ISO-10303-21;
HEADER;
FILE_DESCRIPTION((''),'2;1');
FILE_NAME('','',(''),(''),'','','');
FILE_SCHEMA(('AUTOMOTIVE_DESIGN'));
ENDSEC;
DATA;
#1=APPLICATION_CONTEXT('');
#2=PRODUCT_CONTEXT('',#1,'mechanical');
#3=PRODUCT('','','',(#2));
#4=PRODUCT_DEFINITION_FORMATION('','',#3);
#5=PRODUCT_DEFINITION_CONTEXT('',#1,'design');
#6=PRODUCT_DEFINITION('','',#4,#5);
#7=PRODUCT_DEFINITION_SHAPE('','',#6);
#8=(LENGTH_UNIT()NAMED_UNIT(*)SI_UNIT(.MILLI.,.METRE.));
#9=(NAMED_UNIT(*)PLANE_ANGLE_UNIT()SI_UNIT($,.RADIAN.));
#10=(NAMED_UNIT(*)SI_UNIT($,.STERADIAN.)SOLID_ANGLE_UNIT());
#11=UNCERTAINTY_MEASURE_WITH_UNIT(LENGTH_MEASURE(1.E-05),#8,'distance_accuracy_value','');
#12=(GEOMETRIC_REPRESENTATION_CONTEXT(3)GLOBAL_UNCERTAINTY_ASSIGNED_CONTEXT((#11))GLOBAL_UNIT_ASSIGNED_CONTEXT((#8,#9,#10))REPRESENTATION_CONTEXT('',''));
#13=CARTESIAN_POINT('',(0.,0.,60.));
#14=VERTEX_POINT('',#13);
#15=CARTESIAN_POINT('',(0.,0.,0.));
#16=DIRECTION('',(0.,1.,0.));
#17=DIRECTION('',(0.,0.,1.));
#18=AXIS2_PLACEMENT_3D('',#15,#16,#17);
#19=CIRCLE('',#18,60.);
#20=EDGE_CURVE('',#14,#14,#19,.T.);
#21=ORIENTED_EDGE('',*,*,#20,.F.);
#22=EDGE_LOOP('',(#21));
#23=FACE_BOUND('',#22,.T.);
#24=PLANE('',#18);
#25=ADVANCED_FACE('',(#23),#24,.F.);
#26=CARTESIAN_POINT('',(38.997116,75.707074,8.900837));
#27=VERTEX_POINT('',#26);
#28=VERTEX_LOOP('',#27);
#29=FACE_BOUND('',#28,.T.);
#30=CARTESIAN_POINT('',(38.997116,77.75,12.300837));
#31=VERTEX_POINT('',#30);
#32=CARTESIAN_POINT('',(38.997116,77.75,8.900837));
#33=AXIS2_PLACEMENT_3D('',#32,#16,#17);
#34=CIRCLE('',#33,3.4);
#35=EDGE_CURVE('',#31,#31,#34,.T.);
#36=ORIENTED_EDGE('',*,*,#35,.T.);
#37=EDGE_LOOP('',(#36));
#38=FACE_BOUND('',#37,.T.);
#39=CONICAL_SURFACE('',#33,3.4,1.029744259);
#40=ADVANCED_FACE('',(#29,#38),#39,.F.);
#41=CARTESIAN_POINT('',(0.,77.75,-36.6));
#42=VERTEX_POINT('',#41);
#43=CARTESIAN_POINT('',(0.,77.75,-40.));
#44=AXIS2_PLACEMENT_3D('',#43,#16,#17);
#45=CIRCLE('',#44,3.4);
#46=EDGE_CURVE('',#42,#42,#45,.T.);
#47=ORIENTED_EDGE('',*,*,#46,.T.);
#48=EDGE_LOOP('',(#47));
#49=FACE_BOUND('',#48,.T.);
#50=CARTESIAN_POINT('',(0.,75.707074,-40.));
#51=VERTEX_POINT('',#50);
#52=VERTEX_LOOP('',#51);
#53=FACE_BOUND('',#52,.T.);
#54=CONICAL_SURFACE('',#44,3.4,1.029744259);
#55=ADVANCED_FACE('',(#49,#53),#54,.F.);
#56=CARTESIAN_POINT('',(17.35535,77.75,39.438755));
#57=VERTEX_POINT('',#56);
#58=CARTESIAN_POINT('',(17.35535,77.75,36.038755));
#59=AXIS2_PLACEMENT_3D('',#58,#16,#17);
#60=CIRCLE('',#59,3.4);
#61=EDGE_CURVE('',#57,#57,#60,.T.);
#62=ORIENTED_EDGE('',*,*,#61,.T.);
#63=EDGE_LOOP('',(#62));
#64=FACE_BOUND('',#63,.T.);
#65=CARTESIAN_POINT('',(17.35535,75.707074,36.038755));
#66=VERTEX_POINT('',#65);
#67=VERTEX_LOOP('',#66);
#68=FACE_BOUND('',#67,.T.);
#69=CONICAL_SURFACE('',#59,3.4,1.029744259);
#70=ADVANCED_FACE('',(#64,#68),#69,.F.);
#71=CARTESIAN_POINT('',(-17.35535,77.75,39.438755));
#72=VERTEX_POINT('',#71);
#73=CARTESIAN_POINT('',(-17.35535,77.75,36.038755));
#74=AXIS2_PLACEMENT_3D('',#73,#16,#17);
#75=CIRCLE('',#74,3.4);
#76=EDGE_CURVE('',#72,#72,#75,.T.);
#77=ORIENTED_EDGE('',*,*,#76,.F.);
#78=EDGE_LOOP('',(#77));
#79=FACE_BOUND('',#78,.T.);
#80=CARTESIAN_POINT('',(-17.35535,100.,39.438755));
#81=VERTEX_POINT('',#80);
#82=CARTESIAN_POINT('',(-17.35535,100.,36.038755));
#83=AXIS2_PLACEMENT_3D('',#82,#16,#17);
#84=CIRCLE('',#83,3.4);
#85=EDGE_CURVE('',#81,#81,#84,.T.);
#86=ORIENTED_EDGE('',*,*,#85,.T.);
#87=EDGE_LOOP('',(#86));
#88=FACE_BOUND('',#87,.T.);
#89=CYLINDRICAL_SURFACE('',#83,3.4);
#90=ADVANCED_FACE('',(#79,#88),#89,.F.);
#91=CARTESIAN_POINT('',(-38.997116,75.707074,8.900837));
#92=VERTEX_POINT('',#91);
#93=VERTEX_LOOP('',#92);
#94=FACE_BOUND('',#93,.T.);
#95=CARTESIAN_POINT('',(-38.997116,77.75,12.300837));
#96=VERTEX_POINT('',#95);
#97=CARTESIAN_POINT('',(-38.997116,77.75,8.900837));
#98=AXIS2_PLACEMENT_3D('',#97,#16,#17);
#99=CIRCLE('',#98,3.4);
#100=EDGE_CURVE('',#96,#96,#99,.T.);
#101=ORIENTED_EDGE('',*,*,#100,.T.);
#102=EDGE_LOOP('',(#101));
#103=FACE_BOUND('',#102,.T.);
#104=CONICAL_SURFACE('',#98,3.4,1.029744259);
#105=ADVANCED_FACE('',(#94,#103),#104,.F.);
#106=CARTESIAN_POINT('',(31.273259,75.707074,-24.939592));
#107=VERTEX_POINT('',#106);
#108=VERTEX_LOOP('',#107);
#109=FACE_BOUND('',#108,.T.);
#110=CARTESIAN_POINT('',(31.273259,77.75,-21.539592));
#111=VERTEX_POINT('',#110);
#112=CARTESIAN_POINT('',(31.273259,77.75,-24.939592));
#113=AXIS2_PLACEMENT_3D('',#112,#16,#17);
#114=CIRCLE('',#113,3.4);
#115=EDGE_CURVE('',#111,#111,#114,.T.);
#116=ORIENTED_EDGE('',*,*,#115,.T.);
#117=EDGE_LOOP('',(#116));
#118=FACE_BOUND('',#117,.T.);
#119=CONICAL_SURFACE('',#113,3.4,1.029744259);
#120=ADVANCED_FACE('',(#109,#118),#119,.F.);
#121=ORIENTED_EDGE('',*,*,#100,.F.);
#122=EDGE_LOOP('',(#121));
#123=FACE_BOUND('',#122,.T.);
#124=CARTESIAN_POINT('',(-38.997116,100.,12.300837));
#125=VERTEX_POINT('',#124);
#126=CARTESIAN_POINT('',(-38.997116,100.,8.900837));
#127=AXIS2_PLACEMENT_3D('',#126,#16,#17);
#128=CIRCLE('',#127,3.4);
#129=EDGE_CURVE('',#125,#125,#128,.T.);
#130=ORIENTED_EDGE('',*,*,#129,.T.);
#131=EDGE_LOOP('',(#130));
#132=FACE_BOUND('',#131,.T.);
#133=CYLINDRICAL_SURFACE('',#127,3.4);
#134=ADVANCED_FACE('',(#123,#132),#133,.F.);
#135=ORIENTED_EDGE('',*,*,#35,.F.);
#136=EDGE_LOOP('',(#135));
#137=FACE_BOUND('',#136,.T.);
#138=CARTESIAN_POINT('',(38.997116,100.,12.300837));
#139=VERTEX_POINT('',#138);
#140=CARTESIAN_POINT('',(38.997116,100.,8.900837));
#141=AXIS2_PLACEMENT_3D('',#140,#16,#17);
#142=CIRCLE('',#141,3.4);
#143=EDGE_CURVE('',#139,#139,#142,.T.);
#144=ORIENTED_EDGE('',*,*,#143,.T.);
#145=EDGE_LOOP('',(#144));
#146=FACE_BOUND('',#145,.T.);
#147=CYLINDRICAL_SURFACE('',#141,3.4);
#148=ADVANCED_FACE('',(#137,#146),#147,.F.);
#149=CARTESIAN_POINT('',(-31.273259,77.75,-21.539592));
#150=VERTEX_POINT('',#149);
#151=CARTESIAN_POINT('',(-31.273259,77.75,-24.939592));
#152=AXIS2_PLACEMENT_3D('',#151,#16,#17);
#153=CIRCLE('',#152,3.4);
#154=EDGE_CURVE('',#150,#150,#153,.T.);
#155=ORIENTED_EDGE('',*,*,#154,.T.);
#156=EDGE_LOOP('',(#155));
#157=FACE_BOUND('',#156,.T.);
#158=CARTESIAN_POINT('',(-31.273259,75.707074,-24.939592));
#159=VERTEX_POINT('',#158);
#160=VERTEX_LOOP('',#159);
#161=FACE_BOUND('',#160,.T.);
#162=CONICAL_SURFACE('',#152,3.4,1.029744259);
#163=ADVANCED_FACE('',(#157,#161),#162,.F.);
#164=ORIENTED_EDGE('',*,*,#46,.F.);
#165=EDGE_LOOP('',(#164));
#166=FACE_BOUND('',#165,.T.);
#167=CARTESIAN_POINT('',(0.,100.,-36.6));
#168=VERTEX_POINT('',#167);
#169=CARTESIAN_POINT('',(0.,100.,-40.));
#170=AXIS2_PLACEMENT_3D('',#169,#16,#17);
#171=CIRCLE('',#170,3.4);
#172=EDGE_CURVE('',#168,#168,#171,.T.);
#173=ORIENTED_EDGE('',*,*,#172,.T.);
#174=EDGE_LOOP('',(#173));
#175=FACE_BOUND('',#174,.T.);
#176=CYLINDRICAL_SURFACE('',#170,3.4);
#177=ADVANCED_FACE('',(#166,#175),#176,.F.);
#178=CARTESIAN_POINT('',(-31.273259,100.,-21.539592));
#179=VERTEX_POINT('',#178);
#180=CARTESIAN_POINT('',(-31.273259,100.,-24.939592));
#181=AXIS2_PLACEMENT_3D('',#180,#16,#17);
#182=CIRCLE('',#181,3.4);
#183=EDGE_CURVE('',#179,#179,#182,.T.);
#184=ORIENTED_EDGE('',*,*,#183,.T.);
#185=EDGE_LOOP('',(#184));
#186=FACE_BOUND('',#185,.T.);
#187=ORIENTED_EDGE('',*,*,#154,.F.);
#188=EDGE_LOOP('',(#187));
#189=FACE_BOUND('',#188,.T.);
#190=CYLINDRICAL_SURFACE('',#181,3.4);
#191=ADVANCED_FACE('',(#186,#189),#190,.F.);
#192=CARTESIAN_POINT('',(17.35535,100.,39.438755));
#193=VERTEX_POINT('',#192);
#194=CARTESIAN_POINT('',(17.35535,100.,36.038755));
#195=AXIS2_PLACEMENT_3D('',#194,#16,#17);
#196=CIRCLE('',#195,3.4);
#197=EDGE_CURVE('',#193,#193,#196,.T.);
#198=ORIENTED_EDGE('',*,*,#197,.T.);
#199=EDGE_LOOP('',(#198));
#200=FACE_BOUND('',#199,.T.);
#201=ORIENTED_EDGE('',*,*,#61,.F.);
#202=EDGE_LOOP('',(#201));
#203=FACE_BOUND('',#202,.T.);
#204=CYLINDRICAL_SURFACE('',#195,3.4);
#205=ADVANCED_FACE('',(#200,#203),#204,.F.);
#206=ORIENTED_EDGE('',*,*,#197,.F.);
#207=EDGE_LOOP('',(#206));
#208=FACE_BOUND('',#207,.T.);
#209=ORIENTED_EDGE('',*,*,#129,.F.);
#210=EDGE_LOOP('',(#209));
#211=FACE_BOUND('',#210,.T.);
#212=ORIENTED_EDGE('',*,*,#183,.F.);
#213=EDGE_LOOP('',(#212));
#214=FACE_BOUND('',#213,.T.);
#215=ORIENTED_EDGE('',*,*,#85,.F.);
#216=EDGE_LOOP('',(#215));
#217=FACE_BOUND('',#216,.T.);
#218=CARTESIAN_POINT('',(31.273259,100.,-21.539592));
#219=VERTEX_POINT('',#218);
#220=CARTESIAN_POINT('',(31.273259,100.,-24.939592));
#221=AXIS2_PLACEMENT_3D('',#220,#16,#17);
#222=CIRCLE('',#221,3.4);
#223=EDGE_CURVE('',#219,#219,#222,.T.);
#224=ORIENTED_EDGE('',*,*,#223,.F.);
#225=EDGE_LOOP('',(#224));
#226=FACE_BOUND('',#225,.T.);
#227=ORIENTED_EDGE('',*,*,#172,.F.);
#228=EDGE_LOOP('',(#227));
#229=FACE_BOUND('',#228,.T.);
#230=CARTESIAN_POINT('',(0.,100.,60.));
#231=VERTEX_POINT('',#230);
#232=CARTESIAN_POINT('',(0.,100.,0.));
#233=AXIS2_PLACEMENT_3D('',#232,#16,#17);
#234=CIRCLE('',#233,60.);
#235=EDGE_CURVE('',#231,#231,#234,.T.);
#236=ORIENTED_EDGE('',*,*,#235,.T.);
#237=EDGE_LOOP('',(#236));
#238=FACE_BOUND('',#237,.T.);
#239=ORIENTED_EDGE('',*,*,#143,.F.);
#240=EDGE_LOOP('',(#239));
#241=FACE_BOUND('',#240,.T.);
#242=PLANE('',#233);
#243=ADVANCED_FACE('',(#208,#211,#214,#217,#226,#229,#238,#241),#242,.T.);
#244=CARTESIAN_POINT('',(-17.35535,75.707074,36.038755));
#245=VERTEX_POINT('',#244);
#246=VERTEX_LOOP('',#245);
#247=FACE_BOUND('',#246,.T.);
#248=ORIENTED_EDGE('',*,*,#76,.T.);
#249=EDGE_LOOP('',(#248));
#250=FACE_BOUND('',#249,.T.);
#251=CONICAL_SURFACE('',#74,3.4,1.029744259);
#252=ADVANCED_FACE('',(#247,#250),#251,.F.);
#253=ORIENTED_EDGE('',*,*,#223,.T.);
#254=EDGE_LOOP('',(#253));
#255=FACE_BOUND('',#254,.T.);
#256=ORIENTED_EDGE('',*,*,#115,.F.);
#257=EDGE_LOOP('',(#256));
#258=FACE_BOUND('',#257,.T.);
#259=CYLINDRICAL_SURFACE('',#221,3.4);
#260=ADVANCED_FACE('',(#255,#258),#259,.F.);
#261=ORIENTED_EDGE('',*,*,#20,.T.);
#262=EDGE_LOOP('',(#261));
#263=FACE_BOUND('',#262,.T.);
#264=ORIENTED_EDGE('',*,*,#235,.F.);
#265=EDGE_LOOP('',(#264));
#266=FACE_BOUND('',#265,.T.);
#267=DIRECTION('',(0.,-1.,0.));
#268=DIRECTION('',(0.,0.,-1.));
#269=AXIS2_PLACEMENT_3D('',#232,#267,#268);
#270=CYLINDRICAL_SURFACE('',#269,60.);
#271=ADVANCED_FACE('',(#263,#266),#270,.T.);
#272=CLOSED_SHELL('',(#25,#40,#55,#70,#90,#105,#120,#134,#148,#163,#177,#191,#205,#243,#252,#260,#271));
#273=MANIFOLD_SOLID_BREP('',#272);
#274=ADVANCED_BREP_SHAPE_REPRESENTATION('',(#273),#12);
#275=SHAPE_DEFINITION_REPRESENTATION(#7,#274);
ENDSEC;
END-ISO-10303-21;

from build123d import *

# Parameters (mm, degrees)
SKETCH_1_R             = 60
EXTRUDE_1_DEPTH        = 100
HOLE_WIZARD_M8_1_D     = 6.8
HOLE_WIZARD_M8_1_DEPTH = 22.25
HOLE_WIZARD_M8_1_TIP   = 2.042926105


with BuildPart() as part:
    # 草圖1 → 填料-伸長1 (new body)
    with BuildSketch(Plane(origin=(0, 0, 0), x_dir=(1, 0, 0), z_dir=(0, 1, 0))):
        Circle(SKETCH_1_R)
    extrude(amount=EXTRUDE_1_DEPTH)

    # M8 螺紋孔1
    with Locations(Plane(origin=(0, 100, -40), x_dir=(0, 0, 1), z_dir=(0, 1, 0))):
        with Locations((0, 0), (15.060407926, 31.273259299), (48.900837358, 38.997116487), (76.038754716, 17.355349565), (76.038754716, -17.355349565), (48.900837358, -38.997116487), (15.060407926, -31.273259299)):
            Hole(HOLE_WIZARD_M8_1_D / 2, depth=HOLE_WIZARD_M8_1_DEPTH)
            with Locations((0, 0, -(HOLE_WIZARD_M8_1_DEPTH + HOLE_WIZARD_M8_1_TIP / 2))):  # 118° drill point
                Cone(0, HOLE_WIZARD_M8_1_D / 2, HOLE_WIZARD_M8_1_TIP, mode=Mode.SUBTRACT)


solid = part.part
